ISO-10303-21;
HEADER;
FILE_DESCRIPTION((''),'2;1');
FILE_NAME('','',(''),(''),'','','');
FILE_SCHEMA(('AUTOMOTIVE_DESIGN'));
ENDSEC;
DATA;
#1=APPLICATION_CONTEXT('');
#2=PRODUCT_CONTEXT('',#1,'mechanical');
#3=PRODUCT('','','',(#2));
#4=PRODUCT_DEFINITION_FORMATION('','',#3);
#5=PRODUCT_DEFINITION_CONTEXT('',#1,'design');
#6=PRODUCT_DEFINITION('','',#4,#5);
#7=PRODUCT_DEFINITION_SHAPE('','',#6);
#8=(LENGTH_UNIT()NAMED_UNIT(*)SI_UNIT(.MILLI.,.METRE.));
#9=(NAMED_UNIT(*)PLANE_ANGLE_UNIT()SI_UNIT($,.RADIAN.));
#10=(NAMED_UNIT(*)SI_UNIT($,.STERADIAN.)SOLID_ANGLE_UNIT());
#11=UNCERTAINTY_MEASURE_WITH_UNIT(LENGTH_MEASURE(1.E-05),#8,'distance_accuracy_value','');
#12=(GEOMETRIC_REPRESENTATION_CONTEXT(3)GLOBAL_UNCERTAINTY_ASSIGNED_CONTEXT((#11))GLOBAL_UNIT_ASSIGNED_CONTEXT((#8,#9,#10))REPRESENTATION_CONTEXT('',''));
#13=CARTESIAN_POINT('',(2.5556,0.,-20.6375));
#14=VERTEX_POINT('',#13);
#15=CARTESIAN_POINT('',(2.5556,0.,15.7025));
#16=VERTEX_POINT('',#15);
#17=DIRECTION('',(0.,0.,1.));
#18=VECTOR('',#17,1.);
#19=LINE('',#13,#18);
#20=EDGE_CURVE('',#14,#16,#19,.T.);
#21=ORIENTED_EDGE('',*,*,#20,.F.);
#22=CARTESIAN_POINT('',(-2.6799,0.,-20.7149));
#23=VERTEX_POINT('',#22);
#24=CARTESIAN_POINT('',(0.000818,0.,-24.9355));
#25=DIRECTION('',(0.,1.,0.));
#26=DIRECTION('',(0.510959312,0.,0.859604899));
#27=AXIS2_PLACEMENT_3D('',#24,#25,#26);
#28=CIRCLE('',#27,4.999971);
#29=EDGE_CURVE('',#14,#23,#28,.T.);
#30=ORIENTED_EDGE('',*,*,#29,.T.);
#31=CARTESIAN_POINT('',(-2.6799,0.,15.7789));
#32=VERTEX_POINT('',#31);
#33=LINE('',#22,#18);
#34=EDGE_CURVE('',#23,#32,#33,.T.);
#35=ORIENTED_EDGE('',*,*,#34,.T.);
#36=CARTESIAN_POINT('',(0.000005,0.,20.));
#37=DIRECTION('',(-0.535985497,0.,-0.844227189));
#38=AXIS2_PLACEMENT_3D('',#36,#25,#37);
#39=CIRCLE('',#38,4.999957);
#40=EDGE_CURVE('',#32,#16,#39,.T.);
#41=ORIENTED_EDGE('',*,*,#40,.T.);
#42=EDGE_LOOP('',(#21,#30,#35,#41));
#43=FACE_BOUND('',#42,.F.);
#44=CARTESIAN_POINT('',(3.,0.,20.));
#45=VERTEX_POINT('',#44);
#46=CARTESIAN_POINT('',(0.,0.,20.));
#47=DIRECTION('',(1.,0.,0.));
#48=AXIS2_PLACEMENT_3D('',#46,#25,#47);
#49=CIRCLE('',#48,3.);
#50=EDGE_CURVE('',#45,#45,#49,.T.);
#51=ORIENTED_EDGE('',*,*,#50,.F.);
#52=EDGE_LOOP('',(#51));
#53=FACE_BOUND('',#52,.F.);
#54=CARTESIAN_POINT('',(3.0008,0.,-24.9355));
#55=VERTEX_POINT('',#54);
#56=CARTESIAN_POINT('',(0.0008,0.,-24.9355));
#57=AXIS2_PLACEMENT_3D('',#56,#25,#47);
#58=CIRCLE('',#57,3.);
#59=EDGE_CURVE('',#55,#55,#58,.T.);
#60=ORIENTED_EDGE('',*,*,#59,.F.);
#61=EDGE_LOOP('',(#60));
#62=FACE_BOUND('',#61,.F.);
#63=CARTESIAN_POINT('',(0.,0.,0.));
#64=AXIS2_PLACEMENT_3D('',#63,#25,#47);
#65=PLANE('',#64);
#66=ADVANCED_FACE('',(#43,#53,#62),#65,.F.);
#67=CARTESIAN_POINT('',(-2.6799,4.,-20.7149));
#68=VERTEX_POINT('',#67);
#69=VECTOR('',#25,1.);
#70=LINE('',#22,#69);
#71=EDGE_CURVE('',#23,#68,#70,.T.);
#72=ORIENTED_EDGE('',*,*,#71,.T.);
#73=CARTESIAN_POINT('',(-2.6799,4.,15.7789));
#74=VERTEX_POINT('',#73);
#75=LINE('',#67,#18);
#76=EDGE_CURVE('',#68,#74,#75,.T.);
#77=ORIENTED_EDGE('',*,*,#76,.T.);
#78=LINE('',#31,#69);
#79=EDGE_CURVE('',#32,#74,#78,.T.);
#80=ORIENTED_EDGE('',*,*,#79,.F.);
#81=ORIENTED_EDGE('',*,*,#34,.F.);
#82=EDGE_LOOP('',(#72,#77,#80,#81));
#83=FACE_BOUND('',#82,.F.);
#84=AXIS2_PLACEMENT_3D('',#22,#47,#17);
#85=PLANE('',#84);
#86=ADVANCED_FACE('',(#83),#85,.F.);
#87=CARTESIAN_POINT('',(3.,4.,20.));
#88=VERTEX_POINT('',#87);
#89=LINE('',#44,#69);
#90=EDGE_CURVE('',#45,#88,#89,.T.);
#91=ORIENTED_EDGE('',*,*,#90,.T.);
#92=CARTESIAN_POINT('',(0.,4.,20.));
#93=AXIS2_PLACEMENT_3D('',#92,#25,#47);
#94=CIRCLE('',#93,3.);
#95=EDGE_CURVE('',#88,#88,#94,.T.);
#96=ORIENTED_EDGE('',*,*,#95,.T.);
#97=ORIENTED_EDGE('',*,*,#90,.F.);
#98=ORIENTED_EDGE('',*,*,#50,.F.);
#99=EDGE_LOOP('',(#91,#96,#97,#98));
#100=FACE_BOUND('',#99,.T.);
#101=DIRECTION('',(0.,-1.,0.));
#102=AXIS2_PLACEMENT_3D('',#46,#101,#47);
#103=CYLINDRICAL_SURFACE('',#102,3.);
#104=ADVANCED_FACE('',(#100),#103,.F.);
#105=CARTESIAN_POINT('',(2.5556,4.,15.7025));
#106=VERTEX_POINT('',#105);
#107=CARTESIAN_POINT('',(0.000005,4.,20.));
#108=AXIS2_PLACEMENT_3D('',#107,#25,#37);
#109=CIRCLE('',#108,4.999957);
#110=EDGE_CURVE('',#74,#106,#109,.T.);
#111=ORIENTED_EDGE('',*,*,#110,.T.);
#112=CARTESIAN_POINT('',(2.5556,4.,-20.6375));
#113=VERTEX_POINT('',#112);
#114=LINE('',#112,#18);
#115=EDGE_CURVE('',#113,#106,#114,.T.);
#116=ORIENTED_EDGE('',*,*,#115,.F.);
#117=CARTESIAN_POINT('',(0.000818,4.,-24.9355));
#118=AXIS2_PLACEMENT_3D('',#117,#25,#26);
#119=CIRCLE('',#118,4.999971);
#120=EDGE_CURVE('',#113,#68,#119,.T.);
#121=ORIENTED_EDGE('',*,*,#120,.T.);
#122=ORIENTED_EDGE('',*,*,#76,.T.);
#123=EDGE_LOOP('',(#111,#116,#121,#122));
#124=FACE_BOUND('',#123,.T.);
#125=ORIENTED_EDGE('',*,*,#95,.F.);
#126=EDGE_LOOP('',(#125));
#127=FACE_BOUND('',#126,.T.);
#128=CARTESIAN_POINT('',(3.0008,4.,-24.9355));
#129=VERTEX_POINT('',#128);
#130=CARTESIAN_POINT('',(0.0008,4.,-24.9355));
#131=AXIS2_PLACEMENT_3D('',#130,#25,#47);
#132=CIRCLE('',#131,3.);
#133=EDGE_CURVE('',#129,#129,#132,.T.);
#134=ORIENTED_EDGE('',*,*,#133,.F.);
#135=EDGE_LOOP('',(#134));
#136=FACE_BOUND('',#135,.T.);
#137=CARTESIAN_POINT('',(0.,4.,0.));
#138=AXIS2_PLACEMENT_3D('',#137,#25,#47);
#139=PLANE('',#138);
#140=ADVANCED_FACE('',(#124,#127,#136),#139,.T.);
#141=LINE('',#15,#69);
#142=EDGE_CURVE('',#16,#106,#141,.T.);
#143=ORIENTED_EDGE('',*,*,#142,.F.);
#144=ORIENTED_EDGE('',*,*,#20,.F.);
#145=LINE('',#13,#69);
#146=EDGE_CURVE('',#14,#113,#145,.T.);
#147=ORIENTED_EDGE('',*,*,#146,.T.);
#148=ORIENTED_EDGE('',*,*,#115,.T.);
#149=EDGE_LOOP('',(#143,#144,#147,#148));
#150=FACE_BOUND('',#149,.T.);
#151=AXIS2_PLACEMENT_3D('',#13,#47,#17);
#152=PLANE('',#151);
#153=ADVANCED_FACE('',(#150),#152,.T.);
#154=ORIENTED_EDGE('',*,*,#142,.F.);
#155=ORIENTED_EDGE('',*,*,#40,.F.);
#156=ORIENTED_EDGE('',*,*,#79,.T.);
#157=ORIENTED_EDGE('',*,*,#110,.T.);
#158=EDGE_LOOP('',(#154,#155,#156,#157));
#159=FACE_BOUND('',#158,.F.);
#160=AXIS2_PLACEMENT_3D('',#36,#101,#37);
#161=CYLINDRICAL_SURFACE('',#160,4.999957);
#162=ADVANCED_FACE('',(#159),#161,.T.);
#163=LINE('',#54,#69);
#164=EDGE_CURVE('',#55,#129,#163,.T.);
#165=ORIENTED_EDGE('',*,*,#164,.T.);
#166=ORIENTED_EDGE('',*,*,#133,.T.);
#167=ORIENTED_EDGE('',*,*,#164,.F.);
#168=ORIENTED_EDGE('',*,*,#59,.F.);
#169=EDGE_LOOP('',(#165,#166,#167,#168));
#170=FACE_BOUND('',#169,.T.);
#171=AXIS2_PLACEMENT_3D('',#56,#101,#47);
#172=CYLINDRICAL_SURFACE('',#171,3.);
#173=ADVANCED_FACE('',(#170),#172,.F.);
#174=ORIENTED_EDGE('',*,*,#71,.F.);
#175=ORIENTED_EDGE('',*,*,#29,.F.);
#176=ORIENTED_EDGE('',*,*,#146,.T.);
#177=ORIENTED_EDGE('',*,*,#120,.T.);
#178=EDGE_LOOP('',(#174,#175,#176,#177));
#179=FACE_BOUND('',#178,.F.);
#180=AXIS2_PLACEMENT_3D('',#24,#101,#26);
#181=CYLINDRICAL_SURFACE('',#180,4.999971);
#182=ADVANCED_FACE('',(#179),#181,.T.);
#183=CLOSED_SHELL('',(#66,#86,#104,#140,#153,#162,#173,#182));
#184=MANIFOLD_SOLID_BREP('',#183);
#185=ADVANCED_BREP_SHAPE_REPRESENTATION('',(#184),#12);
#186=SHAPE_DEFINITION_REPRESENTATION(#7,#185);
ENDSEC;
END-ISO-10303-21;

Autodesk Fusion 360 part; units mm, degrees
sketch "Sketch1" plane through (0, 0, 0) normal (0, 1, 0) x (1, 0, 0)
  circle A0 centre (0.0008, 24.9355) radius 3
  line L0 (2.5556, 32.9383) -> (-2.4444, 32.9383)
  line L1 (2.5556, 20.6375) -> (2.5556, -15.7025)
  line L2 (8, 25) -> (8, -20)
  circle A1 centre (0, -20) radius 3
  line L3 (-2.6799, 20.7149) -> (-2.6799, -15.7789)
  arc A2 (2.5556, 20.6375) -> (-2.6799, 20.7149) centre (0.0008, 24.9355) ccw
  arc A3 (-2.6799, -15.7789) -> (2.5556, -15.7025) centre (0, -20) ccw
  dimension "d1" = 6
  dimension "d2" = 10
  dimension "d4" = 5
  dimension "d5" = 36.34
  dimension "d6" = 45
  dimension "d7" = 6
extrude "Extrude1" add sketch "Sketch1" along normal blind 4
sketch "Sketch2" plane through (0, 0, 0) normal (0, 1, 0) x (1, 0, 0)
  circle A0 centre (160, 0) radius 3
  line L0 (165.3043, -12.1067) -> (165.3043, 17.8933)
  line L1 (165.3043, -12.1067) -> (144.0787, -27.9224)
  line L2 (144.0787, -27.9224) -> (124.0787, -27.9224)
  line L3 (124.0787, -27.9224) -> (105.4535, -9.1138)
  line L4 (105.4535, -9.1138) -> (98.3535, -9.1138)
  line L5 (98.3535, -9.1138) -> (98.3535, 10.8862)
  line L6 (98.3535, 10.8862) -> (112.5535, 10.8862)
  line L7 (112.5535, 10.8862) -> (128, 34)
  line L8 (128, 34) -> (153, 34)
  line L9 (153, 34) -> (165.3043, 17.8933)
  circle A1 centre (144.0787, -15.0238) radius 3
  circle A2 centre (124.0787, -15.0238) radius 3
  line L10 (112.4283, -2.9974) -> (127.553, -3)
  line L11 (127.2855, 2.988) -> (112.556, 3)
  arc A3 (127.553, -3) -> (127.2855, 2.988) centre (127.5535, 0) ccw
  arc A4 (112.556, 3) -> (112.6778, -2.9974) centre (112.5535, 0) ccw
  circle A5 centre (128, 28) radius 2
  circle A6 centre (153, 28) radius 2
  dimension "d10" = 6
  dimension "d11" = 30
  dimension "d12" = 26.47
  dimension "d13" = 20
  dimension "d14" = 26.47
  dimension "d15" = 7.1
  dimension "d16" = 20
  dimension "d17" = 14.2
  dimension "d18" = 27.8
  dimension "d19" = 25
  dimension "d21" = 6
  dimension "d22" = 6
  dimension "d23" = 6
  dimension "d24" = 15
  dimension "d25" = 6
  dimension "d26" = 4
  dimension "d27" = 4
sketch "Sketch3" plane through (0, 0, 0) normal (0, 1, 0) x (1, 0, 0)
sketch "Sketch4" plane through (0, 0, 0) normal (0, 1, 0) x (1, 0, 0)
sketch "Sketch5" plane through (0, 0, 0) normal (0, 1, 0) x (1, 0, 0)
  circle A0 centre (0, -75) radius 3
  circle A1 centre (-0.0243, -126.973) radius 3
  line L0 (-20, -70) -> (-20, -141.97)
  line L1 (-5, -75) -> (-5, -112.8223)
  line L2 (5, -75) -> (5, -112.8395)
  arc A2 (5, -75) -> (-5, -75) centre (0, -75) ccw
  line L3 (-0.05, -141.973) -> (-0.05, -143.513)
  line L4 (-0.05, -143.513) -> (-0.4621, -143.739)
  line L5 (-0.4621, -143.739) -> (-1.4621, -143.739)
  line L6 (-1.4621, -143.739) -> (-1.9628, -143.2357)
  line L7 (-1.9628, -143.2357) -> (-1.9628, -141.8472)
  line L8 (-0.05, -145.0973) -> (-0.05, -123.9731)
  line L9 (-8.7204, -112.6318) -> (-7.8791, -112.0912)
  line L10 (-8.9448, -113.0448) -> (-8.7204, -112.6318)
  line L11 (-8.1122, -114.3403) -> (-8.9448, -113.0448)
  line L12 (-7.1857, -112.2439) -> (-6.4351, -113.412)
  line L13 (-7.8791, -112.0912) -> (-7.1857, -112.2439)
  line L14 (-12.4085, -115.6627) -> (-11.7536, -114.907)
  line L15 (-12.5075, -116.1222) -> (-12.4085, -115.6627)
  line L16 (-11.3436, -117.1306) -> (-12.5075, -116.1222)
  line L17 (-11.0453, -114.8581) -> (-9.996, -115.7674)
  line L18 (-11.7536, -114.907) -> (-11.0453, -114.8581)
  line L19 (-15.0933, -119.6099) -> (-14.6779, -118.7003)
  line L20 (-15.0589, -120.0786) -> (-15.0933, -119.6099)
  line L21 (-13.658, -120.7184) -> (-15.0589, -120.0786)
  line L22 (-14.012, -118.4539) -> (-12.749, -119.0307)
  line L23 (-14.6779, -118.7003) -> (-14.012, -118.4539)
  line L24 (-16.5573, -124.1536) -> (-16.415, -123.1638)
  line L25 (-16.3922, -124.5936) -> (-16.5573, -124.1536)
  line L26 (-14.8679, -124.8128) -> (-16.3922, -124.5936)
  line L27 (-15.8455, -122.7398) -> (-14.4712, -122.9374)
  line L28 (-16.415, -123.1638) -> (-15.8455, -122.7398)
  line L29 (-16.682, -128.9257) -> (-16.8243, -127.9359)
  line L30 (-16.3995, -129.3014) -> (-16.682, -128.9257)
  line L31 (-14.8752, -129.0822) -> (-16.3995, -129.3014)
  line L32 (-16.3973, -127.3686) -> (-15.023, -127.171)
  line L33 (-16.8243, -127.9359) -> (-16.3973, -127.3686)
  line L34 (-15.4571, -133.5396) -> (-15.8725, -132.63)
  line L35 (-15.0802, -133.8205) -> (-15.4571, -133.5396)
  line L36 (-13.6794, -133.1808) -> (-15.0802, -133.8205)
  line L37 (-15.6226, -131.9654) -> (-14.3596, -131.3886)
  line L38 (-15.8725, -132.63) -> (-15.6226, -131.9654)
  line L39 (-12.9819, -137.6215) -> (-13.6367, -136.8658)
  line L40 (-12.5412, -137.7849) -> (-12.9819, -137.6215)
  line L41 (-11.3773, -136.7764) -> (-12.5412, -137.7849)
  line L42 (-13.5843, -136.1577) -> (-12.5349, -135.2485)
  line L43 (-13.6367, -136.8658) -> (-13.5843, -136.1577)
  line L44 (-9.457, -140.8408) -> (-10.2982, -140.3002)
  line L45 (-8.9881, -140.8734) -> (-9.457, -140.8408)
  line L46 (-8.1555, -139.5779) -> (-8.9881, -140.8734)
  line L47 (-10.4473, -139.606) -> (-9.6967, -138.4379)
  line L48 (-10.2982, -140.3002) -> (-10.4473, -139.606)
  line L49 (-5.1679, -142.9365) -> (-6.1274, -142.6548)
  line L50 (-4.7088, -142.8357) -> (-5.1679, -142.9365)
  line L51 (-4.2749, -141.3581) -> (-4.7088, -142.8357)
  line L52 (-6.466, -142.0308) -> (-6.0748, -140.6985)
  line L53 (-6.1274, -142.6548) -> (-6.466, -142.0308)
  arc A3 (-5, -112.8223) -> (-6.4351, -113.412) centre (-0.0243, -126.973) ccw
  arc A4 (-8.1122, -114.3403) -> (-9.996, -115.7674) centre (-0.0243, -126.973) ccw
  arc A5 (-11.3436, -117.1306) -> (-12.749, -119.0307) centre (-0.0243, -126.973) ccw
  arc A6 (-13.658, -120.7184) -> (-14.4712, -122.9374) centre (-0.0243, -126.973) ccw
  arc A7 (-14.8679, -124.8128) -> (-15.023, -127.171) centre (-0.0243, -126.973) ccw
  arc A8 (-14.8752, -129.0822) -> (-14.3596, -131.3886) centre (-0.0243, -126.973) ccw
  arc A9 (-13.6794, -133.1808) -> (-12.5349, -135.2485) centre (-0.0243, -126.973) ccw
  arc A10 (-11.3773, -136.7764) -> (-9.6967, -138.4379) centre (-0.0243, -126.973) ccw
  arc A11 (-8.1555, -139.5779) -> (-6.0748, -140.6985) centre (-0.0243, -126.973) ccw
  arc A12 (-4.2749, -141.3581) -> (-1.9628, -141.8472) centre (-0.0243, -126.973) ccw
  arc A13 (-0.05, -141.973) -> (5, -112.8395) centre (-0.0243, -126.973) ccw
  dimension "d30" = 6
  dimension "d31" = 10
  dimension "d32" = 6
  dimension "d33" = 30
  dimension "d34" = 71.97
  dimension "d35" = 1.54
  dimension "d36" = 0.47
  dimension "d37" = 1
  dimension "d38" = 0.71
  dimension "d40" = 360
sketch "Sketch6" plane through (0, 0, 0) normal (0, 1, 0) x (1, 0, 0)
  circle A0 centre (135, -70) radius 3
  circle A1 centre (135, -95) radius 3
  line L0 (129.0014, -94.8707) -> (129, -70.0003)
  line L1 (141, -95) -> (141, -70)
  arc A2 (141, -70) -> (129, -70.0003) centre (135, -70) ccw
  line L2 (134.9353, -100.9997) -> (150.363, -126.7288)
  line L3 (138.9186, -99.5437) -> (196.6373, -196.6907)
  arc A3 (129.0014, -94.8707) -> (134.9353, -100.9997) centre (135, -95) ccw
  arc A4 (138.9186, -99.5437) -> (141, -95) centre (135, -95) ccw
  line L4 (196.6373, -196.6907) -> (189.4976, -203.5489)
  line L5 (189.4976, -203.5489) -> (182.5189, -204.0946)
  line L6 (150.363, -126.7288) -> (142.6345, -134.4043)
  line L7 (179.3777, -201.8435) -> (142.738, -137.5509)
  arc A5 (179.3777, -201.8435) -> (182.5189, -204.0946) centre (182.2851, -201.1037) ccw
  arc A6 (142.6345, -134.4043) -> (142.738, -137.5509) centre (145.2387, -135.8936) ccw
  dimension "d43" = 6
  dimension "d44" = 12
  dimension "d45" = 25
  dimension "d46" = 6
  dimension "d47" = 12
  dimension "d48" = 30
  dimension "d50" = 113
  dimension "d52" = 9.9
  dimension "d53" = 7
  dimension "d62" = 6
  dimension "d63" = 74
  dimension "d64" = 6
